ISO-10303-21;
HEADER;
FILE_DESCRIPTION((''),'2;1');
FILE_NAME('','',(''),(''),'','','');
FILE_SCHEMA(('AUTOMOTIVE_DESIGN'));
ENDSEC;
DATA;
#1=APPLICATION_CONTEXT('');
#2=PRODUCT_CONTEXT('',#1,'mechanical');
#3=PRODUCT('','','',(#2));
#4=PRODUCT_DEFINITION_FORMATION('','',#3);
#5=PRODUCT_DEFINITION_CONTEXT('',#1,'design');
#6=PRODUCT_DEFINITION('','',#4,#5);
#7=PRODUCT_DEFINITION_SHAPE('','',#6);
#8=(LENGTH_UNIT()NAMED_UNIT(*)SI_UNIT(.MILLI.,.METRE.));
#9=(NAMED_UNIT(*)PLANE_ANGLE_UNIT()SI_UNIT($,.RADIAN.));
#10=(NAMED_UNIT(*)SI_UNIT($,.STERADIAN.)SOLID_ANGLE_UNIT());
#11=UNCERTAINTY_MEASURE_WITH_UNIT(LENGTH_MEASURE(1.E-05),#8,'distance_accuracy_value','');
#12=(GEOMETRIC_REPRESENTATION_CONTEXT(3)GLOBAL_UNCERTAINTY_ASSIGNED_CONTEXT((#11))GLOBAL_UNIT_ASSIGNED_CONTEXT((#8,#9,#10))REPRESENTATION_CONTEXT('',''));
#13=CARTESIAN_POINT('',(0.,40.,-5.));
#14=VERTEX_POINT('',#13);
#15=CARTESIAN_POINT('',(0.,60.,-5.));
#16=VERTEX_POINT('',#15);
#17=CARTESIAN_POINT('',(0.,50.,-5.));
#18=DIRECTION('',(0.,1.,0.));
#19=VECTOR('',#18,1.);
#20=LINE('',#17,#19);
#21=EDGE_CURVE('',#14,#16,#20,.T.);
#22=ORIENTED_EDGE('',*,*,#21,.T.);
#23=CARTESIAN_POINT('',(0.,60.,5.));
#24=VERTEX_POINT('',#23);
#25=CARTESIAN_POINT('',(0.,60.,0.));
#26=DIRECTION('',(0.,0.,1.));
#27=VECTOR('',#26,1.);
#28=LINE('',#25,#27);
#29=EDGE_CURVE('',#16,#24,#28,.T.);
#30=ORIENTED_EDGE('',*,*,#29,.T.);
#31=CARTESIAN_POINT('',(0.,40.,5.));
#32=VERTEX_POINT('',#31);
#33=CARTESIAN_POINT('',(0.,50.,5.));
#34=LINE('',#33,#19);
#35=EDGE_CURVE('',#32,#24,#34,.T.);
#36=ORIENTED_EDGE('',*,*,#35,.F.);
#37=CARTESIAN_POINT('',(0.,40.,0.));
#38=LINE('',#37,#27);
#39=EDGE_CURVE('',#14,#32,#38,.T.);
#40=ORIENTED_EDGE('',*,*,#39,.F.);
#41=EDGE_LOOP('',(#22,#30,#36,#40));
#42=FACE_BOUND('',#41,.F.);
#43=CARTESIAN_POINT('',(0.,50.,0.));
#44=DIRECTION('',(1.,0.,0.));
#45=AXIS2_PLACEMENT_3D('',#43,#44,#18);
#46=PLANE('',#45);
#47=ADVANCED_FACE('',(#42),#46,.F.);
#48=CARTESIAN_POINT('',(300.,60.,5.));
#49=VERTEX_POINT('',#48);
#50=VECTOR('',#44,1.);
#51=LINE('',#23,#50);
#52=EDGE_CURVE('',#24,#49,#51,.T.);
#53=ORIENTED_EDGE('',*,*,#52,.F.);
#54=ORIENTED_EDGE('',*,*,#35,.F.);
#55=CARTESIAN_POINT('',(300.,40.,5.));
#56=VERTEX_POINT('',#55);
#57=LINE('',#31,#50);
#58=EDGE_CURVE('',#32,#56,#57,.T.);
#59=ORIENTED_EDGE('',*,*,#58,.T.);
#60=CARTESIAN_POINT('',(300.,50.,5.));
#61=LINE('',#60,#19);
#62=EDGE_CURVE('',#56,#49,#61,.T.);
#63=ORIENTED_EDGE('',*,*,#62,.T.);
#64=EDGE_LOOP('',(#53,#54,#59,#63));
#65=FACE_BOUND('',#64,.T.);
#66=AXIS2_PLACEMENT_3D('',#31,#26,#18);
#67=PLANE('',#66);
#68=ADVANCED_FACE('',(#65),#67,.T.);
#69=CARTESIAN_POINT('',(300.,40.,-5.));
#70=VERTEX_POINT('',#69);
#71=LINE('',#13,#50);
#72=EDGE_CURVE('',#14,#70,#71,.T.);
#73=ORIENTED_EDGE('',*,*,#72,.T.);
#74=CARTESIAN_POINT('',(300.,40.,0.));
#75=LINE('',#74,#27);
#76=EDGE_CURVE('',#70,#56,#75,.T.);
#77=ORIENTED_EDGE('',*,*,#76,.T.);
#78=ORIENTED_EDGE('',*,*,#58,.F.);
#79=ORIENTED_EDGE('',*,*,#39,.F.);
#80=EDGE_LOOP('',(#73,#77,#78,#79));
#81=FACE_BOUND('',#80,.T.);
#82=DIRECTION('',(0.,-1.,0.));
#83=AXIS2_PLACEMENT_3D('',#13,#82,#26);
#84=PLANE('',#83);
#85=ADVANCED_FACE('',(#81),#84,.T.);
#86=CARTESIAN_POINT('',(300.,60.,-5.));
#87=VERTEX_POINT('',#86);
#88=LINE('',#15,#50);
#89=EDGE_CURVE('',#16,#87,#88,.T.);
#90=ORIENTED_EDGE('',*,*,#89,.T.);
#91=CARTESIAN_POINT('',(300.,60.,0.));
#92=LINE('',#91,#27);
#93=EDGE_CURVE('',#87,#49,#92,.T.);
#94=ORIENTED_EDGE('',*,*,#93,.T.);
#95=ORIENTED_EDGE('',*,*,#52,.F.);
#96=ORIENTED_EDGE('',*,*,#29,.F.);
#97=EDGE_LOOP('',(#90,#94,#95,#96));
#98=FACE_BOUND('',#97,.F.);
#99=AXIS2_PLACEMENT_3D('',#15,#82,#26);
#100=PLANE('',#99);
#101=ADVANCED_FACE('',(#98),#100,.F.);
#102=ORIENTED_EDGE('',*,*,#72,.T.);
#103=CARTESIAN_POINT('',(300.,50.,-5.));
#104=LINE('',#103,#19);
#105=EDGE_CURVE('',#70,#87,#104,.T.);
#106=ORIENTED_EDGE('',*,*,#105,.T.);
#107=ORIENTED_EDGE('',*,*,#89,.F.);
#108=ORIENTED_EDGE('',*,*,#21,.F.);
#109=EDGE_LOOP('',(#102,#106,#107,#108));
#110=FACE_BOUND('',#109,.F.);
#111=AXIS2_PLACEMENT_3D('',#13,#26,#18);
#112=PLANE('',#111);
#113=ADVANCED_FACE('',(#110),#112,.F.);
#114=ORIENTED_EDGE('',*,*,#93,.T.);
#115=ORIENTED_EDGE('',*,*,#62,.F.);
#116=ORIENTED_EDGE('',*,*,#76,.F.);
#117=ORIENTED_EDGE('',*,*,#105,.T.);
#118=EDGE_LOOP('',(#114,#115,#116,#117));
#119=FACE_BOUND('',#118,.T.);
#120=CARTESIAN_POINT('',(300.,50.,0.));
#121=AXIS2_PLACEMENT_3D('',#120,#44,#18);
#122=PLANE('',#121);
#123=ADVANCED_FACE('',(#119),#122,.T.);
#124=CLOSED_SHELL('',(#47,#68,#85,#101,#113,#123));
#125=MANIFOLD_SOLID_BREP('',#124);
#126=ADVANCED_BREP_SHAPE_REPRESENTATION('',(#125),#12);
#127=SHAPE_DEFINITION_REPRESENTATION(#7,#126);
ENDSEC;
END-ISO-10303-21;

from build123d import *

# Parameters (mm, degrees)
SKETCH_W  = 20
SKETCH_H  = 10
PAD_DEPTH = 300


with BuildPart() as part:
    # Sketch → Pad (new body)
    with BuildSketch(Plane.YZ):
        with Locations((50, 0)):
            Rectangle(SKETCH_W, SKETCH_H)
    extrude(amount=PAD_DEPTH)


solid = part.part
